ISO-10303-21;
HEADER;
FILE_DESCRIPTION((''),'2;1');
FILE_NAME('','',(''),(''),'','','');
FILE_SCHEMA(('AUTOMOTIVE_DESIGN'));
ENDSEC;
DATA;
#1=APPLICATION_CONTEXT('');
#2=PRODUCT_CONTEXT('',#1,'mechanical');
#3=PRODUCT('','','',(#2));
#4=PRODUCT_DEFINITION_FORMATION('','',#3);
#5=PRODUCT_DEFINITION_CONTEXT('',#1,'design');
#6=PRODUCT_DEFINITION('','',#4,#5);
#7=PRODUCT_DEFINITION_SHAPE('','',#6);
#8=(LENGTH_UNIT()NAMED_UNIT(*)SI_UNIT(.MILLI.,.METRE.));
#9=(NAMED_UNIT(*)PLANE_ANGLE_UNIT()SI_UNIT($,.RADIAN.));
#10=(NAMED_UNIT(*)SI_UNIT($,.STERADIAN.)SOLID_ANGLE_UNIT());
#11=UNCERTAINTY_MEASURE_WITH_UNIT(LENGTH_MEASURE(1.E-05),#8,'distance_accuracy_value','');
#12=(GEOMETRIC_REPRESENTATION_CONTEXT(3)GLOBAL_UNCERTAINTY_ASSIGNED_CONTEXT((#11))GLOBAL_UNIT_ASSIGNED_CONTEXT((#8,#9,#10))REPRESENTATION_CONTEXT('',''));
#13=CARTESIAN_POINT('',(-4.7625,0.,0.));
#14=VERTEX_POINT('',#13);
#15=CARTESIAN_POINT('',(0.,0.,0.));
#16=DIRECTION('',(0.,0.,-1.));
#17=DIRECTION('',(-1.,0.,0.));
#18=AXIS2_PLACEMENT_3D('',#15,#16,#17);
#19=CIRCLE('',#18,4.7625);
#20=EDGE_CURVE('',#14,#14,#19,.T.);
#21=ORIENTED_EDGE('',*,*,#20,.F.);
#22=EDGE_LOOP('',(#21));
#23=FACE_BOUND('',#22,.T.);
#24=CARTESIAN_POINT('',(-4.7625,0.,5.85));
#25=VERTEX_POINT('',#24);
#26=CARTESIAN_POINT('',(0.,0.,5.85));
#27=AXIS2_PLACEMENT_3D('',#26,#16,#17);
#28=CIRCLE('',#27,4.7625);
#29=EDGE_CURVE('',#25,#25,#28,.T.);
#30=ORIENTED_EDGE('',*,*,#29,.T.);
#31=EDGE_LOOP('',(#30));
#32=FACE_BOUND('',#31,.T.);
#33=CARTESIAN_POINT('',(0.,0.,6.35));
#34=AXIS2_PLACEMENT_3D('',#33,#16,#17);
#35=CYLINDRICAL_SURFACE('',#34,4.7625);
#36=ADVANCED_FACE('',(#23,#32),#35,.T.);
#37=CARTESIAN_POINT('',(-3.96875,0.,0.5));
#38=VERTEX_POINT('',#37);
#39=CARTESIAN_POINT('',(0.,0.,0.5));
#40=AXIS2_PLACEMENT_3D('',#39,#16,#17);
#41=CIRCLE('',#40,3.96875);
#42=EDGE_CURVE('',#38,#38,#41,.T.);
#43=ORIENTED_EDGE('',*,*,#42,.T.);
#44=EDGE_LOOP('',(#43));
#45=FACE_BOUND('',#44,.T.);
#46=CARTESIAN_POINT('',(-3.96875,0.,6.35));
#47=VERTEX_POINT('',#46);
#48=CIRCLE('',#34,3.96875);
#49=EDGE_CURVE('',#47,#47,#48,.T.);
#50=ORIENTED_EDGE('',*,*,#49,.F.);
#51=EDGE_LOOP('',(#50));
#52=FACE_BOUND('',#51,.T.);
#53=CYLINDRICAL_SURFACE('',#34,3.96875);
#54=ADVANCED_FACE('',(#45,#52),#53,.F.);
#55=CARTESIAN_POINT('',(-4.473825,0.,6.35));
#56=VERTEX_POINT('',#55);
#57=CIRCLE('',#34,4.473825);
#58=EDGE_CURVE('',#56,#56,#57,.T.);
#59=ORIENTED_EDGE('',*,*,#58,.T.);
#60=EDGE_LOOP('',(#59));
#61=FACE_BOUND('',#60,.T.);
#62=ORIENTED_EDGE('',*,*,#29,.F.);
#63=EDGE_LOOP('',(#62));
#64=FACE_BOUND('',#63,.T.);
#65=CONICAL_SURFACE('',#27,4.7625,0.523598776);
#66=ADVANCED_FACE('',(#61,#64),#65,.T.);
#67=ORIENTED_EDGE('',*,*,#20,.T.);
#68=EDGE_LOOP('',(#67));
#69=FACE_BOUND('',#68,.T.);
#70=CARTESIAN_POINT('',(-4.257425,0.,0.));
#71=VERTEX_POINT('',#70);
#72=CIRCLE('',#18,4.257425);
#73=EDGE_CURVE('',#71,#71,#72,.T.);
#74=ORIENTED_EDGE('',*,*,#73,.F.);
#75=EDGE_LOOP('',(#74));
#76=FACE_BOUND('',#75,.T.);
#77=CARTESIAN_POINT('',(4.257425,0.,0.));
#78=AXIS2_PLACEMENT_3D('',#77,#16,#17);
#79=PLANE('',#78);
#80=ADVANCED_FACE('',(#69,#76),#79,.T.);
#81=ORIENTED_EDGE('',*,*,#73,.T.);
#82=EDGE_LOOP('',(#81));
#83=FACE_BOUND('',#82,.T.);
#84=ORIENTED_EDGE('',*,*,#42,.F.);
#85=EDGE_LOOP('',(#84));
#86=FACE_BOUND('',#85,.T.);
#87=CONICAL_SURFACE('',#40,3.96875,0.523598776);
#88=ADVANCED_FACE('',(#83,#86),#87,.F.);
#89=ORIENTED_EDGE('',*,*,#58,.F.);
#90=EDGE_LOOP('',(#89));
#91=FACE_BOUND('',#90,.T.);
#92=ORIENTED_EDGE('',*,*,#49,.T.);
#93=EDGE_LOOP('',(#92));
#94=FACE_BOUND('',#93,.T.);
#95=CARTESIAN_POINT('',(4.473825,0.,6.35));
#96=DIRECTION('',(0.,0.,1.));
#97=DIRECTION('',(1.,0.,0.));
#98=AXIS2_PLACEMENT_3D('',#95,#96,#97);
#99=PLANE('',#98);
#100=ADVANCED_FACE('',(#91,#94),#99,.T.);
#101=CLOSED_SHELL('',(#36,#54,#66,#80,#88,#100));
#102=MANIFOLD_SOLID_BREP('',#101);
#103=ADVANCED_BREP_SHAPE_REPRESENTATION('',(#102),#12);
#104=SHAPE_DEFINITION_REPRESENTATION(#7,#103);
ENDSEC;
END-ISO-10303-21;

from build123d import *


with BuildPart() as part:
    # Sketch1 → Revolve1 (revolve)
    with BuildSketch(Plane.XZ):
        Polygon((4.473824865, 6.35), (3.96875, 6.35), (3.96875, 0.5), (4.257425135, 0), (4.7625, 0), (4.7625, 5.85), align=None)
    revolve(axis=Axis((0, 0, 6.35), (0, 0, -1)))


solid = part.part
